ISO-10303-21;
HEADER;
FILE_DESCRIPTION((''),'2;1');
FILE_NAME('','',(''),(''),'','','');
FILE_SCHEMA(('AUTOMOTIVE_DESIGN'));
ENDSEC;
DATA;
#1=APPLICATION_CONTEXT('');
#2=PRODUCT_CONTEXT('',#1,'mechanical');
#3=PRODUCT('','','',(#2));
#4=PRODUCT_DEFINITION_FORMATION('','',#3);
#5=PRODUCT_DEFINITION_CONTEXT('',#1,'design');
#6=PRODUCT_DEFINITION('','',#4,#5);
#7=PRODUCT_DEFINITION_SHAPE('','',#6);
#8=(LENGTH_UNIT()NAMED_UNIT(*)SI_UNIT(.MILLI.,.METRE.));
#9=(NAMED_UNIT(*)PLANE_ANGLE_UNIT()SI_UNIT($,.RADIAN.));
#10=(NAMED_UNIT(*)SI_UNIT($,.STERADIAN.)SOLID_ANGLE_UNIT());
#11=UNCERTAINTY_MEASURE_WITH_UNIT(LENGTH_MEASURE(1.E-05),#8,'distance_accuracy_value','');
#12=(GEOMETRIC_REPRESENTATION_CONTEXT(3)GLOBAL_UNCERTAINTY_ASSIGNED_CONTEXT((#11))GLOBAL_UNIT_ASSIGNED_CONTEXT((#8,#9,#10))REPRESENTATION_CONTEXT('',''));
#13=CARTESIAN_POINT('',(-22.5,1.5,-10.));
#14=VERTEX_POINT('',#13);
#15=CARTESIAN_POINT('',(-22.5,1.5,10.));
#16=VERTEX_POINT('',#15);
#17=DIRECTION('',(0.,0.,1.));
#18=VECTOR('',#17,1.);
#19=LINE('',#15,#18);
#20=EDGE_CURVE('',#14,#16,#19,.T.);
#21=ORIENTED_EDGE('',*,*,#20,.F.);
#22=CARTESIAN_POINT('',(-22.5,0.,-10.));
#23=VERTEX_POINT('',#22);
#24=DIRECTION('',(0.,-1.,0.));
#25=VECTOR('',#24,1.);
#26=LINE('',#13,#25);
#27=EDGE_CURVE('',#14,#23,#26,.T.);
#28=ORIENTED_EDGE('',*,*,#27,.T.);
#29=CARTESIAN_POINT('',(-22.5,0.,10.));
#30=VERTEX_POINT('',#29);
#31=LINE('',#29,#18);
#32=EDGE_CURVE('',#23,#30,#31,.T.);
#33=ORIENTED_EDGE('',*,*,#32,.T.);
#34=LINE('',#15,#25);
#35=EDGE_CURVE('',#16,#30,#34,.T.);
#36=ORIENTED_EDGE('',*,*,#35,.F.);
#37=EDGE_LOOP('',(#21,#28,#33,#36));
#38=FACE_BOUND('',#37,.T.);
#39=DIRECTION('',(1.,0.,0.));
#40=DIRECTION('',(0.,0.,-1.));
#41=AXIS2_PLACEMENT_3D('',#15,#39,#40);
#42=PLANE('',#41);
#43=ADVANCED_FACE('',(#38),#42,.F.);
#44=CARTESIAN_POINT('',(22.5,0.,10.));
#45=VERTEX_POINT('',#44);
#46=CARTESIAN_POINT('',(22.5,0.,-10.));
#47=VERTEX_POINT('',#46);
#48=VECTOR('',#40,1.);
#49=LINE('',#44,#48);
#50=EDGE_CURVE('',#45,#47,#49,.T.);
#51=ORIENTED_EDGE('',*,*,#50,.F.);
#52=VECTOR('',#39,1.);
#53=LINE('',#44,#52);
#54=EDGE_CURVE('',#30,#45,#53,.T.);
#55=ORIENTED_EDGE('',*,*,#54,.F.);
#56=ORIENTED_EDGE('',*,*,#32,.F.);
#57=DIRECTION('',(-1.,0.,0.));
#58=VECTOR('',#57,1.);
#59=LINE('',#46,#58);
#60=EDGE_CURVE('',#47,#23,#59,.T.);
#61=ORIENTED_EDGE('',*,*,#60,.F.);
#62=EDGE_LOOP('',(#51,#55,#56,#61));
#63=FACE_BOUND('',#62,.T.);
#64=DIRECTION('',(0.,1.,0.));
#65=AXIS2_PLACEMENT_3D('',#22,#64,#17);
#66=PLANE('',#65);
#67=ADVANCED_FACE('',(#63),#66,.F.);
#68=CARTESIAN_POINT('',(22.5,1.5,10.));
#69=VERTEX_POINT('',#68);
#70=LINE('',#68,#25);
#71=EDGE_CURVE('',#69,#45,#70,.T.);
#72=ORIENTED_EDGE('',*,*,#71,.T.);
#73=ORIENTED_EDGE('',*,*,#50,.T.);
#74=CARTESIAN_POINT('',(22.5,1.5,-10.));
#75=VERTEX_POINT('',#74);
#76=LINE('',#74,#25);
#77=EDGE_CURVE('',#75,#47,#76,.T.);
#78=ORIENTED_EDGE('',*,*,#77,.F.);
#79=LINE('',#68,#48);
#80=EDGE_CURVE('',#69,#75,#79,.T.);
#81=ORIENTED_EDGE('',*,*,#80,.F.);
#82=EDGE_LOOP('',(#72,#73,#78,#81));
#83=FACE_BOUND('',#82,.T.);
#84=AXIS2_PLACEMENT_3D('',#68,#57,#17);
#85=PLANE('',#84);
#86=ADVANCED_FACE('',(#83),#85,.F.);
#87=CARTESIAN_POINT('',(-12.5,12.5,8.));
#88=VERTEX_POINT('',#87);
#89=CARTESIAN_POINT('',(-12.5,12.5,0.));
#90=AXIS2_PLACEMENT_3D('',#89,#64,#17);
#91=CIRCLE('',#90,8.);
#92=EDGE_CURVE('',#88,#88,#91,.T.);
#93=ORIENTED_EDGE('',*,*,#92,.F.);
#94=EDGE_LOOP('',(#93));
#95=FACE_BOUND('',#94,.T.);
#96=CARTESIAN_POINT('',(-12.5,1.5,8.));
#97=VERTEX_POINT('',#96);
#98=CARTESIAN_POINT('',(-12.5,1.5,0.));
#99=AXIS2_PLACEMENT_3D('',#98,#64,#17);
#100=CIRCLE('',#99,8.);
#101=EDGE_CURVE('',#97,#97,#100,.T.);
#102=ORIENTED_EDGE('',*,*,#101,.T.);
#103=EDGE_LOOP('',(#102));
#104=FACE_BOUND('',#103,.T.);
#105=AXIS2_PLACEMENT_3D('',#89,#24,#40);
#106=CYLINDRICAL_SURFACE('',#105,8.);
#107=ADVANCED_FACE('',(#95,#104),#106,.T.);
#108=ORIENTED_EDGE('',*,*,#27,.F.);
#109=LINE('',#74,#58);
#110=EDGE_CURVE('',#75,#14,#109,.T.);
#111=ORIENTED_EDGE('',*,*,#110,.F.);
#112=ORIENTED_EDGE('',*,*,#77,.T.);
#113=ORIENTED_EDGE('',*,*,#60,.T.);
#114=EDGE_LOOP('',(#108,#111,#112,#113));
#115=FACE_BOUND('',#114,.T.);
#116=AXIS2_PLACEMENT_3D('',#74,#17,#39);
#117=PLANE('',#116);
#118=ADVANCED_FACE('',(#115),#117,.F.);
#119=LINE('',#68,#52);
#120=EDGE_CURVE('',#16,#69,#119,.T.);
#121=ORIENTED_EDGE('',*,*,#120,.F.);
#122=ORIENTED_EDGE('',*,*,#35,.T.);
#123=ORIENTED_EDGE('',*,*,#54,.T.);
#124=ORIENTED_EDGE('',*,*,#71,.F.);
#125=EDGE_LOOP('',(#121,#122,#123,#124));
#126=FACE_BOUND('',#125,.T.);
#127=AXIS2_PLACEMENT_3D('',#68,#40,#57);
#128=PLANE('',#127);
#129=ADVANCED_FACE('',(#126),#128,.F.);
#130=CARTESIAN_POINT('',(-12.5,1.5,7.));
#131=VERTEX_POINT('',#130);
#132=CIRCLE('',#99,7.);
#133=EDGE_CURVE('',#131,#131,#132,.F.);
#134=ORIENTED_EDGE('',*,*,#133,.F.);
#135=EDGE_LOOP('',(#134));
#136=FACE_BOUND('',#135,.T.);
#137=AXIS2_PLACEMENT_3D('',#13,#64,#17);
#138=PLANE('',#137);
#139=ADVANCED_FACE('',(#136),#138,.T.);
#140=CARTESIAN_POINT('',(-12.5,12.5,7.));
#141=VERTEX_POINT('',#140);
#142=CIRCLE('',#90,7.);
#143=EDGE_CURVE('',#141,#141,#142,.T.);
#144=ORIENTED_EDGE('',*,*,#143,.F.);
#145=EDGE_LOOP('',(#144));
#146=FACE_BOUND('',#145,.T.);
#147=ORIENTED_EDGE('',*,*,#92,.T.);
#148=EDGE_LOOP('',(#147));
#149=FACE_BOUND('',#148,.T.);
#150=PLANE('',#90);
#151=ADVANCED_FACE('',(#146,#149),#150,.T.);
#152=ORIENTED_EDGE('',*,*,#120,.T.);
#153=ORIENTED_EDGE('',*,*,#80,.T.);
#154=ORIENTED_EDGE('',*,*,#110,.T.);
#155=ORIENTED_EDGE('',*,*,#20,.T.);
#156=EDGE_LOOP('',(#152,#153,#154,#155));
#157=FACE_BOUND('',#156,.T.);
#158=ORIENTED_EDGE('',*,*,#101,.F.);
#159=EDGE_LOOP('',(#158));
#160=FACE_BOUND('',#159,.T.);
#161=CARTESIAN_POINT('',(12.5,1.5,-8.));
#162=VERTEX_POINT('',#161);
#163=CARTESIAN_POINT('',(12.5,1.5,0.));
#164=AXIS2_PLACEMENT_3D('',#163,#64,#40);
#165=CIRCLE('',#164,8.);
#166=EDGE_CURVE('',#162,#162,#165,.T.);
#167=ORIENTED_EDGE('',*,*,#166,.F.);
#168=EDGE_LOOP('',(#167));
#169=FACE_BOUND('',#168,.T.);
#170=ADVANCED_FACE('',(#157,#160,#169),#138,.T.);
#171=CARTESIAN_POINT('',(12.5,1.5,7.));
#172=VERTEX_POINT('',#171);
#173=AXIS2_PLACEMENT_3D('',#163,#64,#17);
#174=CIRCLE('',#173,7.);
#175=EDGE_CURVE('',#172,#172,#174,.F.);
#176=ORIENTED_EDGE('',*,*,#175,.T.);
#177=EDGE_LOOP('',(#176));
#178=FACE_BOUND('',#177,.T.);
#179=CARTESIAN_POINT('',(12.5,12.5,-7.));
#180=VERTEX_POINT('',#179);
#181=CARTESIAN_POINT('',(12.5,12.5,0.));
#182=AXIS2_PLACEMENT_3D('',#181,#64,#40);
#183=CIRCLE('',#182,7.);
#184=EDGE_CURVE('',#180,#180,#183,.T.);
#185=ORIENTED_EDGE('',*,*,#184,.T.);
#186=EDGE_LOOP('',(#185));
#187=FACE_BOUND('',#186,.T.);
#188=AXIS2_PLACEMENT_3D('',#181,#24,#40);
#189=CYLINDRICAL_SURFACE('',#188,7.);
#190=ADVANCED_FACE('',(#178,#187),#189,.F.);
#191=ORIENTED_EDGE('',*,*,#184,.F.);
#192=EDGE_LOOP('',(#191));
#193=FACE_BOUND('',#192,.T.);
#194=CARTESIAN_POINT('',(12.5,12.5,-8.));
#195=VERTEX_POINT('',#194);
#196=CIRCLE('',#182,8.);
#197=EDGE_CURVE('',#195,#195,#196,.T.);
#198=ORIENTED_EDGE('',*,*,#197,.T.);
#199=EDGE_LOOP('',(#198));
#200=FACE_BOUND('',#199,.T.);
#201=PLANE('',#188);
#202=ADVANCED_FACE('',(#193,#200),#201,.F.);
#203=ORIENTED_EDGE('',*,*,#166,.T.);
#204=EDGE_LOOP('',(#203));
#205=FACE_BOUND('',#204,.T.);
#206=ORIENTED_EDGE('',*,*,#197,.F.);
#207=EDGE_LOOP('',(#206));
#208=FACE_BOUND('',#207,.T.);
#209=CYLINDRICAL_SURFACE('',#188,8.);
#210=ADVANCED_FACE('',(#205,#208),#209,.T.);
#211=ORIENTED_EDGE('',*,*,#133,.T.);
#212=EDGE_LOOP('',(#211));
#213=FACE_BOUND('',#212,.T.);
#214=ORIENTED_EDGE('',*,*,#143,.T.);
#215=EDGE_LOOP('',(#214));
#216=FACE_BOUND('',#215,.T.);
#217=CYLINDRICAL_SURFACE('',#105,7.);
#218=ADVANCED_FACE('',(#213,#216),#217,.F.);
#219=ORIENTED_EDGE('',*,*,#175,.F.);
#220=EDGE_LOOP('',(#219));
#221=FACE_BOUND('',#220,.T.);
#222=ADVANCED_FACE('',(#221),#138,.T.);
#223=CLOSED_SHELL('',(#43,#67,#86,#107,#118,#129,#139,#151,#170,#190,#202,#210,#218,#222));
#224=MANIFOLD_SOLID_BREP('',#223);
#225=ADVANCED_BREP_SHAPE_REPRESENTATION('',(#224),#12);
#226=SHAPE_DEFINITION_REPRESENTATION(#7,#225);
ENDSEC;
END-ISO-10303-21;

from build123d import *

# Parameters (mm, degrees)
SKETCH1_W           = 45
SKETCH1_H           = 20
BOSS_EXTRUDE1_DEPTH = 1.5
SKETCH3_R           = 8
SKETCH3_R_2         = 7
BOSS_EXTRUDE2_DEPTH = 11


with BuildPart() as part:
    # Sketch1 → Boss-Extrude1 (new body)
    with BuildSketch(Plane(origin=(0, 0, 0), x_dir=(1, 0, 0), z_dir=(0, 1, 0))):
        Rectangle(SKETCH1_W, SKETCH1_H)
    extrude(amount=BOSS_EXTRUDE1_DEPTH)

    # Sketch3 → Boss-Extrude2 (add)
    with BuildSketch(Plane(origin=(0, 1.5, 0), x_dir=(1, 0, 0), z_dir=(0, 1, 0))):
        with Locations((-12.5, 0)):
            Circle(SKETCH3_R)
        with Locations((-12.5, 0)):
            Circle(SKETCH3_R_2, mode=Mode.SUBTRACT)
        with Locations((12.5, 0)):
            Circle(SKETCH3_R)
        with Locations((12.5, 0)):
            Circle(SKETCH3_R_2, mode=Mode.SUBTRACT)
    extrude(amount=BOSS_EXTRUDE2_DEPTH)


solid = part.part
